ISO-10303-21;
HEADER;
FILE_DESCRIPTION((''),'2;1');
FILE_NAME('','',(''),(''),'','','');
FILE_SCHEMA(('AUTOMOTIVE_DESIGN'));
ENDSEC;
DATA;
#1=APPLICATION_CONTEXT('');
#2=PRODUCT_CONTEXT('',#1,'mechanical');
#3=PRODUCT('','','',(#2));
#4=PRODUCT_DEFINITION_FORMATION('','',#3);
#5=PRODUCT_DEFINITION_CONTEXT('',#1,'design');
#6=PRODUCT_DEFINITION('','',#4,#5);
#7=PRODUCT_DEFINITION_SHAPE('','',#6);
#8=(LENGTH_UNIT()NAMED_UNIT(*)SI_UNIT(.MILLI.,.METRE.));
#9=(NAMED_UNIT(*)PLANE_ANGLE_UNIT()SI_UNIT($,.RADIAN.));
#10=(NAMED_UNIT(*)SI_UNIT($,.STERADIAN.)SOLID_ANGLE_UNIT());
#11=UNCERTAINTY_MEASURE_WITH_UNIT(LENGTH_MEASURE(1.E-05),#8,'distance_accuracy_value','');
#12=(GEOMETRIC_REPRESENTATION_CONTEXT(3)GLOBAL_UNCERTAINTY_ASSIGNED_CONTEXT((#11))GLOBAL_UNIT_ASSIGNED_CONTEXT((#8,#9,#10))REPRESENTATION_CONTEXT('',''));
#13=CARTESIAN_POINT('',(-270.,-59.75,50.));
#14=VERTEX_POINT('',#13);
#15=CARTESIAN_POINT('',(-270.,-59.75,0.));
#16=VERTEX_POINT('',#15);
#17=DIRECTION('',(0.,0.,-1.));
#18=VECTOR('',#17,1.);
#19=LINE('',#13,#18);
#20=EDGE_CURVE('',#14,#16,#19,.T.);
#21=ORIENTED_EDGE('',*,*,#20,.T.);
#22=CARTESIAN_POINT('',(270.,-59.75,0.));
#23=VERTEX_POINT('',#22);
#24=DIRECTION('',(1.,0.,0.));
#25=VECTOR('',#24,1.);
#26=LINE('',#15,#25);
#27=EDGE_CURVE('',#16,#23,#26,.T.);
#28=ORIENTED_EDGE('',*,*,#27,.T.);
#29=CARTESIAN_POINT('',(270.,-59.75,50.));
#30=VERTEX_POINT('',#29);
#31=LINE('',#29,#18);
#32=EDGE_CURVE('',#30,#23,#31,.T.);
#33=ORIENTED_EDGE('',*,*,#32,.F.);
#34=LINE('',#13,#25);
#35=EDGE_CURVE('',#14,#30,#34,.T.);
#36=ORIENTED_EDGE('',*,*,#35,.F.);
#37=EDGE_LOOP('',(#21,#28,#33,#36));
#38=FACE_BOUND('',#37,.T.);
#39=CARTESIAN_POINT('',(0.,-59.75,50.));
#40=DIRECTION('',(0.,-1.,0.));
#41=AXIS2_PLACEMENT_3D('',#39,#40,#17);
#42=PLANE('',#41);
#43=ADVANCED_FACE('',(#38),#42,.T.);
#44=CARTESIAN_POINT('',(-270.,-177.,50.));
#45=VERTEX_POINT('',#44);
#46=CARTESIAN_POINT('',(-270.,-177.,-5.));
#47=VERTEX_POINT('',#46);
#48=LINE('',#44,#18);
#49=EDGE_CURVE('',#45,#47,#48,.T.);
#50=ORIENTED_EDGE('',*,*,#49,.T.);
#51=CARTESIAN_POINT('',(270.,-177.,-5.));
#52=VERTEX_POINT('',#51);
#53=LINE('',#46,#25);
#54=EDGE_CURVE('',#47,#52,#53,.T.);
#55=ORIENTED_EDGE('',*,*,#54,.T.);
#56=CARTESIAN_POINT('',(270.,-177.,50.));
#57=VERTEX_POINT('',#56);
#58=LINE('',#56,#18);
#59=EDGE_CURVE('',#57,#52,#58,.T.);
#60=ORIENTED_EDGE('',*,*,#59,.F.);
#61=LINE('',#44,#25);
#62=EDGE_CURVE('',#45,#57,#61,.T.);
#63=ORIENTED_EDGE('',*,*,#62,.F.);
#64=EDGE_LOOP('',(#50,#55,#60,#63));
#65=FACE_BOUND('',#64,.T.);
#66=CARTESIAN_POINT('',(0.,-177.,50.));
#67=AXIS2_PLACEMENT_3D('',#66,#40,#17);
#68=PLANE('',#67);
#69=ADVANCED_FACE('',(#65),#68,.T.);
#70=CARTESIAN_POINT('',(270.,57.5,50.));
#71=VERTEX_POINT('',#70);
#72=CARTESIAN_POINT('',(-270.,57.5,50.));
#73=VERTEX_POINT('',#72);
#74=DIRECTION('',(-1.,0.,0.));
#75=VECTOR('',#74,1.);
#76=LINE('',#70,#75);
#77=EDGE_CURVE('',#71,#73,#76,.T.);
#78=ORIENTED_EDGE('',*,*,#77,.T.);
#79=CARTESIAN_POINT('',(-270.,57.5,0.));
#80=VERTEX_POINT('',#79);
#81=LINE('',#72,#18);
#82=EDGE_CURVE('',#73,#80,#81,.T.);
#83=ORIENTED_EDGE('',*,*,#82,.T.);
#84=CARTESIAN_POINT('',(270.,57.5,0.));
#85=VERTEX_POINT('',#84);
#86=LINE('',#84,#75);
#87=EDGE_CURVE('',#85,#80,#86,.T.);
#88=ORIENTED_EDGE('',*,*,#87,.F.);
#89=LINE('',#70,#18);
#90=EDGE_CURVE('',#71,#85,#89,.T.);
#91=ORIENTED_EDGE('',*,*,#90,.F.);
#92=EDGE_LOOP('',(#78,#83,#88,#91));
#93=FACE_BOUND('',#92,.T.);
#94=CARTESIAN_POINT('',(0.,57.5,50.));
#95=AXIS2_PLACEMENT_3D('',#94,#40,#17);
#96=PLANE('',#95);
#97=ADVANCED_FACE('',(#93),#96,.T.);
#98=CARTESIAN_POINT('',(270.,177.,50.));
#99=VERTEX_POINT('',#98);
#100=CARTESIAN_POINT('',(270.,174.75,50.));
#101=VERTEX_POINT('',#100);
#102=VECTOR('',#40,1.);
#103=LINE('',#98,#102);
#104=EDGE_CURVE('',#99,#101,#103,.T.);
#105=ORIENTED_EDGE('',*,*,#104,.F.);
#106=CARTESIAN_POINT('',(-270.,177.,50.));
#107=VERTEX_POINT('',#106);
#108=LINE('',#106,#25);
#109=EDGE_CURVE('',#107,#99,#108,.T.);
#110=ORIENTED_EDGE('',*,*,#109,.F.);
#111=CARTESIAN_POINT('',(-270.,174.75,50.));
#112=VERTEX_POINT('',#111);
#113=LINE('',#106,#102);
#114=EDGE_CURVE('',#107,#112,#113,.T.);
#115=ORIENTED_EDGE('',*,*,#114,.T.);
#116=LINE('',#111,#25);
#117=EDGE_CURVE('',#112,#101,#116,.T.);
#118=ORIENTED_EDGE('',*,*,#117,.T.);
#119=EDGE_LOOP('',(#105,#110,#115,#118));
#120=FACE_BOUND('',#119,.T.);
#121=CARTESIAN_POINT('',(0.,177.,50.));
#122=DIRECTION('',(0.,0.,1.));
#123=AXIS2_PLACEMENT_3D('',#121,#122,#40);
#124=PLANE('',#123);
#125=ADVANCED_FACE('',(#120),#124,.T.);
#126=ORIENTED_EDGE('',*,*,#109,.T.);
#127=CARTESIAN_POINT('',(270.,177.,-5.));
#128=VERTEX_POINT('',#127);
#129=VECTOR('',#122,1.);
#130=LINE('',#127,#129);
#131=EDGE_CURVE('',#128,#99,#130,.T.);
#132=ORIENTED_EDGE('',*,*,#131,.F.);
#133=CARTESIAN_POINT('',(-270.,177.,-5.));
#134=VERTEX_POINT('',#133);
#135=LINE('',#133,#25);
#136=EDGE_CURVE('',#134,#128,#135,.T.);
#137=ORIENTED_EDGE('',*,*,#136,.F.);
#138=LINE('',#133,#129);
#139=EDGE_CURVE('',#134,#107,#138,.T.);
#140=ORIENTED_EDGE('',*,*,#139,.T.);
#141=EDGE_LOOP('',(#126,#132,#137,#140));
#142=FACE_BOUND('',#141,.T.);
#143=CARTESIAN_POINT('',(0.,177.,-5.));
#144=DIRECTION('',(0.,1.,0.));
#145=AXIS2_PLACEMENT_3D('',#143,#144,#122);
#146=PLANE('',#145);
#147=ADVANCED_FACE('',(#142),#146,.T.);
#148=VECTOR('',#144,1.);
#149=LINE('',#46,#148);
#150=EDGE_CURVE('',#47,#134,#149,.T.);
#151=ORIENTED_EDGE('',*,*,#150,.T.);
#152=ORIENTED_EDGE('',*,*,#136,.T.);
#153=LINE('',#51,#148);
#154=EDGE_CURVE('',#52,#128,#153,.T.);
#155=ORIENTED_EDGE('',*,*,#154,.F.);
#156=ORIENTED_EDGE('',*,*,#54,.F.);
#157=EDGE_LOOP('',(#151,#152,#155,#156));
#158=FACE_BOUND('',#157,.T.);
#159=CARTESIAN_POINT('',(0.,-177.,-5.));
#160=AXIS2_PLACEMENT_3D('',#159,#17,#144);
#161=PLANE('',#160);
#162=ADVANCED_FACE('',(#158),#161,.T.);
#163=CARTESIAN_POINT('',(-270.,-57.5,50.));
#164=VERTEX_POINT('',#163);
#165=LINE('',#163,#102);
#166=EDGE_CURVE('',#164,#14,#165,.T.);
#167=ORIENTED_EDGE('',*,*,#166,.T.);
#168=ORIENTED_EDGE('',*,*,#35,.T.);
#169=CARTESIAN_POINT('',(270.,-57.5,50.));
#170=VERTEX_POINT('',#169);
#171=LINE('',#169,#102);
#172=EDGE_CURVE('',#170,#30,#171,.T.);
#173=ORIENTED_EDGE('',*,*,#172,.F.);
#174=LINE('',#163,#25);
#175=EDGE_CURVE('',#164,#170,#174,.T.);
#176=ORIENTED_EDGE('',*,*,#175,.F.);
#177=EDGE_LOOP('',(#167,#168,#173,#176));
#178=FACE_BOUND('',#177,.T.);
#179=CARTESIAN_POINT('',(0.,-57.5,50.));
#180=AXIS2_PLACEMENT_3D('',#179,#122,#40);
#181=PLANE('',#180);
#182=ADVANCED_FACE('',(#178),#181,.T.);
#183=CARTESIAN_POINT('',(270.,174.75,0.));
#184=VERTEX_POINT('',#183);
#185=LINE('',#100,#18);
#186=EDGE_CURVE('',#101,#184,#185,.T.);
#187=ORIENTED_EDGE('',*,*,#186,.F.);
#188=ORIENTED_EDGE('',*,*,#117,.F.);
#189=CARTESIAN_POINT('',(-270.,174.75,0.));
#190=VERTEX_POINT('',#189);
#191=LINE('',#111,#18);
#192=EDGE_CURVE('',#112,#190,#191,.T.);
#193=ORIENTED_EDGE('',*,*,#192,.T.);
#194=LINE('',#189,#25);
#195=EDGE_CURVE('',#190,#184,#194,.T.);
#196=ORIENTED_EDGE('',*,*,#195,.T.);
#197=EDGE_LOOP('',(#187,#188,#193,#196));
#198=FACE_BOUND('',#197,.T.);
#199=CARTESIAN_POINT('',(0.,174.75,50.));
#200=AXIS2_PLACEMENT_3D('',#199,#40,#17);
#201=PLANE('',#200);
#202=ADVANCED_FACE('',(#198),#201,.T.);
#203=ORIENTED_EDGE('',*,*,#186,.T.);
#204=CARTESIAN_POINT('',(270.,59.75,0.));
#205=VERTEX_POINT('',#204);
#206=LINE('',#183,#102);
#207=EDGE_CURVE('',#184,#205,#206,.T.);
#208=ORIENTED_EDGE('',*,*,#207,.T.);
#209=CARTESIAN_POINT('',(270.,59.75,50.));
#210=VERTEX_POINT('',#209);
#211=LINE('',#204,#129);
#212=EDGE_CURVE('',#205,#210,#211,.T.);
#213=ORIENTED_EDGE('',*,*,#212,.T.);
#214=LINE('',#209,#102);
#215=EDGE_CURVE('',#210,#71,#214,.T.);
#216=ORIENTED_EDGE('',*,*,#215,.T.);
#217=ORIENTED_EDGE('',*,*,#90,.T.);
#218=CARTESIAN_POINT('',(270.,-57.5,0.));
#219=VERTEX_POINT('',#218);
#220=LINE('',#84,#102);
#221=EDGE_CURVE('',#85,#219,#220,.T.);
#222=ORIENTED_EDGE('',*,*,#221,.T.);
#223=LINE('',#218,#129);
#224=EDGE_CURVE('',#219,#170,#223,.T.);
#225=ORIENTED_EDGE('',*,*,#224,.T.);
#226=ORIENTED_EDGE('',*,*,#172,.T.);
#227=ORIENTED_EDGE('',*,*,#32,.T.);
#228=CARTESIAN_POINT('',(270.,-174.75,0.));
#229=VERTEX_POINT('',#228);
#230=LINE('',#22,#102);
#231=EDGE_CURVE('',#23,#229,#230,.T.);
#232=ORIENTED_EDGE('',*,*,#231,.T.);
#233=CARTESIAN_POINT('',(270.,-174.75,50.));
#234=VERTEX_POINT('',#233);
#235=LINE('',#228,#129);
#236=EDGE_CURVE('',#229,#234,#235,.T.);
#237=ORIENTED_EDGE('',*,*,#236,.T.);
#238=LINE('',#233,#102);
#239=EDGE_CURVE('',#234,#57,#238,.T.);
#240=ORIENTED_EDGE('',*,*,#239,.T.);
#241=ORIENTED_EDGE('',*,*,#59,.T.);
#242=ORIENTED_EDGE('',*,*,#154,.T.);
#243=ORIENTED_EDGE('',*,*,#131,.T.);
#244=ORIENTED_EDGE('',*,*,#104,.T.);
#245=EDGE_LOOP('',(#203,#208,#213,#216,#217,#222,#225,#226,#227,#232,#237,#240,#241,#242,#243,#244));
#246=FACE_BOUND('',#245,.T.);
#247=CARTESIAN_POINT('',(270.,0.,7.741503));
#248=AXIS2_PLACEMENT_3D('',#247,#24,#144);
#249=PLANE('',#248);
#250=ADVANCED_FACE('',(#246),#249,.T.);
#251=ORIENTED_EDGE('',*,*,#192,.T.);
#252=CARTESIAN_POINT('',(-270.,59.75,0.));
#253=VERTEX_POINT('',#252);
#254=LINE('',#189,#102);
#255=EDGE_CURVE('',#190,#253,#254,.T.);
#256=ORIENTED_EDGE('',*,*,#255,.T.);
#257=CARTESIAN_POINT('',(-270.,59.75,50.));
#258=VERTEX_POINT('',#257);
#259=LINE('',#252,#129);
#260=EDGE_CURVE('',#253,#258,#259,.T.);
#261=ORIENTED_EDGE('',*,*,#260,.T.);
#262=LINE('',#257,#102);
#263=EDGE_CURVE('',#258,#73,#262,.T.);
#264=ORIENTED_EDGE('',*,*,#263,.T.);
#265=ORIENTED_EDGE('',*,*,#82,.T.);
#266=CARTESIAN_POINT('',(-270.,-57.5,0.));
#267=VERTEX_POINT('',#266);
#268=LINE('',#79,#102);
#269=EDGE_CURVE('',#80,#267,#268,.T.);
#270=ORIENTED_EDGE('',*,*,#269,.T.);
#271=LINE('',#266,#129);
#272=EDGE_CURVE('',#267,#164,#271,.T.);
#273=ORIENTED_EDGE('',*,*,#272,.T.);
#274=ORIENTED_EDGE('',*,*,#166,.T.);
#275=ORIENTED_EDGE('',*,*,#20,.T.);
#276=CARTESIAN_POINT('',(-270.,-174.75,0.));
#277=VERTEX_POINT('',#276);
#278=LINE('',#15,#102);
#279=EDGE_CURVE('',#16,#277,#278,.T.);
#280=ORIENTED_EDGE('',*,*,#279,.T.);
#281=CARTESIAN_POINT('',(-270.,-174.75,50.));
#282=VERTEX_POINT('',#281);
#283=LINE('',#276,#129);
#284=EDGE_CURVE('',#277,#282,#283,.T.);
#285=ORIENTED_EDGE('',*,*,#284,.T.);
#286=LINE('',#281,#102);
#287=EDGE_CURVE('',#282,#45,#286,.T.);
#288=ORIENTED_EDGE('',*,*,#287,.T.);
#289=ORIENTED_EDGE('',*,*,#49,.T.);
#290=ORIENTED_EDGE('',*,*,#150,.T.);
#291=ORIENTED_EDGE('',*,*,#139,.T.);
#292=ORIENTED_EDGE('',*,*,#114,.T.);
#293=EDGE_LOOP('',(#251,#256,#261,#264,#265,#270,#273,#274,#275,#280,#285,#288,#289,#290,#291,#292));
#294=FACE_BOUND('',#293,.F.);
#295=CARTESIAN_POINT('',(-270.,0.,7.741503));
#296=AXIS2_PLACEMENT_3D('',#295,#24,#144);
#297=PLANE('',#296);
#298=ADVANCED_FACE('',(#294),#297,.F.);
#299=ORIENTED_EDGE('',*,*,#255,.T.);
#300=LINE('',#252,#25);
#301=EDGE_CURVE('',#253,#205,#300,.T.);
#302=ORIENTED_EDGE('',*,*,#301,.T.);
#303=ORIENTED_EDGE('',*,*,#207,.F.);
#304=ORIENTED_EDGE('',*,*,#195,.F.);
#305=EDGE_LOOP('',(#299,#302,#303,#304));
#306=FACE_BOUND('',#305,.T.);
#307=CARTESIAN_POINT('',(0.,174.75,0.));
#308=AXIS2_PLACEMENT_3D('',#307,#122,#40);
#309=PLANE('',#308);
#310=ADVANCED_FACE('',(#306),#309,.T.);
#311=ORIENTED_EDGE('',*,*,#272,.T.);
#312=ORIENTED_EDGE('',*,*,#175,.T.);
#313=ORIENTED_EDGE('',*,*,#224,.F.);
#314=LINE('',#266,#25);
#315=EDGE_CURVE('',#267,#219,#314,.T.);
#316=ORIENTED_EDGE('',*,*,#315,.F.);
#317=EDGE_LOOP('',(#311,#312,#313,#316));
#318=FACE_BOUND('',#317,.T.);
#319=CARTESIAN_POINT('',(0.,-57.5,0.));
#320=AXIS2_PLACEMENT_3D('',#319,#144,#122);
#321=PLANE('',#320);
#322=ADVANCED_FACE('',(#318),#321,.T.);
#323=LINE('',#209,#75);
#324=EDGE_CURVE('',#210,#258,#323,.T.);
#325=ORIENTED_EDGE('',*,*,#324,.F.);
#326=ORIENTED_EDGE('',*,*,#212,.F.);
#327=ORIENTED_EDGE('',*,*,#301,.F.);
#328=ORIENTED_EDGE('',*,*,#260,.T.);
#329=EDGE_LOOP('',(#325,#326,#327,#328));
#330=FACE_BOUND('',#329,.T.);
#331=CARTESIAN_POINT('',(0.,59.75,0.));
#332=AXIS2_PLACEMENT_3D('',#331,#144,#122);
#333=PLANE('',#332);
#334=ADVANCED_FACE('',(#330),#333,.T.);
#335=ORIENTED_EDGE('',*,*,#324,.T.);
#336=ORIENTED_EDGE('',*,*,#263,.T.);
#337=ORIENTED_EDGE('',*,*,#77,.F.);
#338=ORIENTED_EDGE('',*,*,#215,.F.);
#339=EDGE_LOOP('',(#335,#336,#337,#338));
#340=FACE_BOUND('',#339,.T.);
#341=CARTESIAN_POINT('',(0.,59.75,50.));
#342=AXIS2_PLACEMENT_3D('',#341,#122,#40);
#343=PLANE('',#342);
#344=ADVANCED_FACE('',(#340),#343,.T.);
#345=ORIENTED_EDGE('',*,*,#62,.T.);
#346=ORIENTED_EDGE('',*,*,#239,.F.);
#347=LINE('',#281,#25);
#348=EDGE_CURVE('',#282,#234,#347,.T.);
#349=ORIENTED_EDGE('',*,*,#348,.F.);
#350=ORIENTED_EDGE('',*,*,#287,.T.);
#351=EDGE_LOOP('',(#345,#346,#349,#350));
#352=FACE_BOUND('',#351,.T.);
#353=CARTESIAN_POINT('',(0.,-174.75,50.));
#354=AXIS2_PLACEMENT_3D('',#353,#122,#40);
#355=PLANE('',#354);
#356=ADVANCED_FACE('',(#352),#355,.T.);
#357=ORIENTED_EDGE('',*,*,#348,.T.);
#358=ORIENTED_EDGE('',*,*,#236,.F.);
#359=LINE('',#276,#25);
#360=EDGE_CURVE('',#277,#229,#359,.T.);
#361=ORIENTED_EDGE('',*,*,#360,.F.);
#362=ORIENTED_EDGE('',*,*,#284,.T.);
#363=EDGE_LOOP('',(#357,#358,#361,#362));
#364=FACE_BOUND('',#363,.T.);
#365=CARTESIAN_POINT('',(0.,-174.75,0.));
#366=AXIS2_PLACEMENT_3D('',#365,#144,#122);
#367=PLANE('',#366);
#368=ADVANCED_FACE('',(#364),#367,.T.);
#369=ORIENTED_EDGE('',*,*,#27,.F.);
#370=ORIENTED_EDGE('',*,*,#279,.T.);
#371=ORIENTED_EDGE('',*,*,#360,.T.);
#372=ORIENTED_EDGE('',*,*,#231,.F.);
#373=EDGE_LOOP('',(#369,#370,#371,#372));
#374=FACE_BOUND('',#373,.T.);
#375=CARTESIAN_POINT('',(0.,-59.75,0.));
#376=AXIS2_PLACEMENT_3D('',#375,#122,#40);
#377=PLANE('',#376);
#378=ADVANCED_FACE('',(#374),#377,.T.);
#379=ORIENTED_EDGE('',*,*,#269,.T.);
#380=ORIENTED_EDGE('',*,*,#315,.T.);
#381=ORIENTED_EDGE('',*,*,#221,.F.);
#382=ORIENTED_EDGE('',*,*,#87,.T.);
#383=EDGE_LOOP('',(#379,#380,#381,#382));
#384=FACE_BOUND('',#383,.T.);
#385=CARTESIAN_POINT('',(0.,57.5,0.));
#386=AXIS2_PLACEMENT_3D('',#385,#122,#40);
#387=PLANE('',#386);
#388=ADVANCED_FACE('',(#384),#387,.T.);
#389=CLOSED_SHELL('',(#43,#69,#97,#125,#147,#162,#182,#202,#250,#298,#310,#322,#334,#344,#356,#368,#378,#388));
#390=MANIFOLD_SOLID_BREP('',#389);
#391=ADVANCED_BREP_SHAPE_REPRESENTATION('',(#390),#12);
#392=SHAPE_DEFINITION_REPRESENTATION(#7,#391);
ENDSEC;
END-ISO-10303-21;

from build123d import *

# Parameters (mm, degrees)
F1_DEPTH = 270


with BuildPart() as f1:
    # F0 (on Right) → F1 (new body, symmetric)
    with BuildSketch(Plane.YZ):
        Polygon((57.5, 0), (0, 0), (-57.5, 0), (-57.5, 50), (-59.75, 50), (-59.75, 0), (-174.75, 0), (-174.75, 50), (-177, 50), (-177, -5), (0, -5), (177, -5), (177, 50), (174.75, 50), (174.75, 0), (59.75, 0), (59.75, 50), (57.5, 50), align=None)
    extrude(amount=F1_DEPTH, both=True)


solid = f1.part
